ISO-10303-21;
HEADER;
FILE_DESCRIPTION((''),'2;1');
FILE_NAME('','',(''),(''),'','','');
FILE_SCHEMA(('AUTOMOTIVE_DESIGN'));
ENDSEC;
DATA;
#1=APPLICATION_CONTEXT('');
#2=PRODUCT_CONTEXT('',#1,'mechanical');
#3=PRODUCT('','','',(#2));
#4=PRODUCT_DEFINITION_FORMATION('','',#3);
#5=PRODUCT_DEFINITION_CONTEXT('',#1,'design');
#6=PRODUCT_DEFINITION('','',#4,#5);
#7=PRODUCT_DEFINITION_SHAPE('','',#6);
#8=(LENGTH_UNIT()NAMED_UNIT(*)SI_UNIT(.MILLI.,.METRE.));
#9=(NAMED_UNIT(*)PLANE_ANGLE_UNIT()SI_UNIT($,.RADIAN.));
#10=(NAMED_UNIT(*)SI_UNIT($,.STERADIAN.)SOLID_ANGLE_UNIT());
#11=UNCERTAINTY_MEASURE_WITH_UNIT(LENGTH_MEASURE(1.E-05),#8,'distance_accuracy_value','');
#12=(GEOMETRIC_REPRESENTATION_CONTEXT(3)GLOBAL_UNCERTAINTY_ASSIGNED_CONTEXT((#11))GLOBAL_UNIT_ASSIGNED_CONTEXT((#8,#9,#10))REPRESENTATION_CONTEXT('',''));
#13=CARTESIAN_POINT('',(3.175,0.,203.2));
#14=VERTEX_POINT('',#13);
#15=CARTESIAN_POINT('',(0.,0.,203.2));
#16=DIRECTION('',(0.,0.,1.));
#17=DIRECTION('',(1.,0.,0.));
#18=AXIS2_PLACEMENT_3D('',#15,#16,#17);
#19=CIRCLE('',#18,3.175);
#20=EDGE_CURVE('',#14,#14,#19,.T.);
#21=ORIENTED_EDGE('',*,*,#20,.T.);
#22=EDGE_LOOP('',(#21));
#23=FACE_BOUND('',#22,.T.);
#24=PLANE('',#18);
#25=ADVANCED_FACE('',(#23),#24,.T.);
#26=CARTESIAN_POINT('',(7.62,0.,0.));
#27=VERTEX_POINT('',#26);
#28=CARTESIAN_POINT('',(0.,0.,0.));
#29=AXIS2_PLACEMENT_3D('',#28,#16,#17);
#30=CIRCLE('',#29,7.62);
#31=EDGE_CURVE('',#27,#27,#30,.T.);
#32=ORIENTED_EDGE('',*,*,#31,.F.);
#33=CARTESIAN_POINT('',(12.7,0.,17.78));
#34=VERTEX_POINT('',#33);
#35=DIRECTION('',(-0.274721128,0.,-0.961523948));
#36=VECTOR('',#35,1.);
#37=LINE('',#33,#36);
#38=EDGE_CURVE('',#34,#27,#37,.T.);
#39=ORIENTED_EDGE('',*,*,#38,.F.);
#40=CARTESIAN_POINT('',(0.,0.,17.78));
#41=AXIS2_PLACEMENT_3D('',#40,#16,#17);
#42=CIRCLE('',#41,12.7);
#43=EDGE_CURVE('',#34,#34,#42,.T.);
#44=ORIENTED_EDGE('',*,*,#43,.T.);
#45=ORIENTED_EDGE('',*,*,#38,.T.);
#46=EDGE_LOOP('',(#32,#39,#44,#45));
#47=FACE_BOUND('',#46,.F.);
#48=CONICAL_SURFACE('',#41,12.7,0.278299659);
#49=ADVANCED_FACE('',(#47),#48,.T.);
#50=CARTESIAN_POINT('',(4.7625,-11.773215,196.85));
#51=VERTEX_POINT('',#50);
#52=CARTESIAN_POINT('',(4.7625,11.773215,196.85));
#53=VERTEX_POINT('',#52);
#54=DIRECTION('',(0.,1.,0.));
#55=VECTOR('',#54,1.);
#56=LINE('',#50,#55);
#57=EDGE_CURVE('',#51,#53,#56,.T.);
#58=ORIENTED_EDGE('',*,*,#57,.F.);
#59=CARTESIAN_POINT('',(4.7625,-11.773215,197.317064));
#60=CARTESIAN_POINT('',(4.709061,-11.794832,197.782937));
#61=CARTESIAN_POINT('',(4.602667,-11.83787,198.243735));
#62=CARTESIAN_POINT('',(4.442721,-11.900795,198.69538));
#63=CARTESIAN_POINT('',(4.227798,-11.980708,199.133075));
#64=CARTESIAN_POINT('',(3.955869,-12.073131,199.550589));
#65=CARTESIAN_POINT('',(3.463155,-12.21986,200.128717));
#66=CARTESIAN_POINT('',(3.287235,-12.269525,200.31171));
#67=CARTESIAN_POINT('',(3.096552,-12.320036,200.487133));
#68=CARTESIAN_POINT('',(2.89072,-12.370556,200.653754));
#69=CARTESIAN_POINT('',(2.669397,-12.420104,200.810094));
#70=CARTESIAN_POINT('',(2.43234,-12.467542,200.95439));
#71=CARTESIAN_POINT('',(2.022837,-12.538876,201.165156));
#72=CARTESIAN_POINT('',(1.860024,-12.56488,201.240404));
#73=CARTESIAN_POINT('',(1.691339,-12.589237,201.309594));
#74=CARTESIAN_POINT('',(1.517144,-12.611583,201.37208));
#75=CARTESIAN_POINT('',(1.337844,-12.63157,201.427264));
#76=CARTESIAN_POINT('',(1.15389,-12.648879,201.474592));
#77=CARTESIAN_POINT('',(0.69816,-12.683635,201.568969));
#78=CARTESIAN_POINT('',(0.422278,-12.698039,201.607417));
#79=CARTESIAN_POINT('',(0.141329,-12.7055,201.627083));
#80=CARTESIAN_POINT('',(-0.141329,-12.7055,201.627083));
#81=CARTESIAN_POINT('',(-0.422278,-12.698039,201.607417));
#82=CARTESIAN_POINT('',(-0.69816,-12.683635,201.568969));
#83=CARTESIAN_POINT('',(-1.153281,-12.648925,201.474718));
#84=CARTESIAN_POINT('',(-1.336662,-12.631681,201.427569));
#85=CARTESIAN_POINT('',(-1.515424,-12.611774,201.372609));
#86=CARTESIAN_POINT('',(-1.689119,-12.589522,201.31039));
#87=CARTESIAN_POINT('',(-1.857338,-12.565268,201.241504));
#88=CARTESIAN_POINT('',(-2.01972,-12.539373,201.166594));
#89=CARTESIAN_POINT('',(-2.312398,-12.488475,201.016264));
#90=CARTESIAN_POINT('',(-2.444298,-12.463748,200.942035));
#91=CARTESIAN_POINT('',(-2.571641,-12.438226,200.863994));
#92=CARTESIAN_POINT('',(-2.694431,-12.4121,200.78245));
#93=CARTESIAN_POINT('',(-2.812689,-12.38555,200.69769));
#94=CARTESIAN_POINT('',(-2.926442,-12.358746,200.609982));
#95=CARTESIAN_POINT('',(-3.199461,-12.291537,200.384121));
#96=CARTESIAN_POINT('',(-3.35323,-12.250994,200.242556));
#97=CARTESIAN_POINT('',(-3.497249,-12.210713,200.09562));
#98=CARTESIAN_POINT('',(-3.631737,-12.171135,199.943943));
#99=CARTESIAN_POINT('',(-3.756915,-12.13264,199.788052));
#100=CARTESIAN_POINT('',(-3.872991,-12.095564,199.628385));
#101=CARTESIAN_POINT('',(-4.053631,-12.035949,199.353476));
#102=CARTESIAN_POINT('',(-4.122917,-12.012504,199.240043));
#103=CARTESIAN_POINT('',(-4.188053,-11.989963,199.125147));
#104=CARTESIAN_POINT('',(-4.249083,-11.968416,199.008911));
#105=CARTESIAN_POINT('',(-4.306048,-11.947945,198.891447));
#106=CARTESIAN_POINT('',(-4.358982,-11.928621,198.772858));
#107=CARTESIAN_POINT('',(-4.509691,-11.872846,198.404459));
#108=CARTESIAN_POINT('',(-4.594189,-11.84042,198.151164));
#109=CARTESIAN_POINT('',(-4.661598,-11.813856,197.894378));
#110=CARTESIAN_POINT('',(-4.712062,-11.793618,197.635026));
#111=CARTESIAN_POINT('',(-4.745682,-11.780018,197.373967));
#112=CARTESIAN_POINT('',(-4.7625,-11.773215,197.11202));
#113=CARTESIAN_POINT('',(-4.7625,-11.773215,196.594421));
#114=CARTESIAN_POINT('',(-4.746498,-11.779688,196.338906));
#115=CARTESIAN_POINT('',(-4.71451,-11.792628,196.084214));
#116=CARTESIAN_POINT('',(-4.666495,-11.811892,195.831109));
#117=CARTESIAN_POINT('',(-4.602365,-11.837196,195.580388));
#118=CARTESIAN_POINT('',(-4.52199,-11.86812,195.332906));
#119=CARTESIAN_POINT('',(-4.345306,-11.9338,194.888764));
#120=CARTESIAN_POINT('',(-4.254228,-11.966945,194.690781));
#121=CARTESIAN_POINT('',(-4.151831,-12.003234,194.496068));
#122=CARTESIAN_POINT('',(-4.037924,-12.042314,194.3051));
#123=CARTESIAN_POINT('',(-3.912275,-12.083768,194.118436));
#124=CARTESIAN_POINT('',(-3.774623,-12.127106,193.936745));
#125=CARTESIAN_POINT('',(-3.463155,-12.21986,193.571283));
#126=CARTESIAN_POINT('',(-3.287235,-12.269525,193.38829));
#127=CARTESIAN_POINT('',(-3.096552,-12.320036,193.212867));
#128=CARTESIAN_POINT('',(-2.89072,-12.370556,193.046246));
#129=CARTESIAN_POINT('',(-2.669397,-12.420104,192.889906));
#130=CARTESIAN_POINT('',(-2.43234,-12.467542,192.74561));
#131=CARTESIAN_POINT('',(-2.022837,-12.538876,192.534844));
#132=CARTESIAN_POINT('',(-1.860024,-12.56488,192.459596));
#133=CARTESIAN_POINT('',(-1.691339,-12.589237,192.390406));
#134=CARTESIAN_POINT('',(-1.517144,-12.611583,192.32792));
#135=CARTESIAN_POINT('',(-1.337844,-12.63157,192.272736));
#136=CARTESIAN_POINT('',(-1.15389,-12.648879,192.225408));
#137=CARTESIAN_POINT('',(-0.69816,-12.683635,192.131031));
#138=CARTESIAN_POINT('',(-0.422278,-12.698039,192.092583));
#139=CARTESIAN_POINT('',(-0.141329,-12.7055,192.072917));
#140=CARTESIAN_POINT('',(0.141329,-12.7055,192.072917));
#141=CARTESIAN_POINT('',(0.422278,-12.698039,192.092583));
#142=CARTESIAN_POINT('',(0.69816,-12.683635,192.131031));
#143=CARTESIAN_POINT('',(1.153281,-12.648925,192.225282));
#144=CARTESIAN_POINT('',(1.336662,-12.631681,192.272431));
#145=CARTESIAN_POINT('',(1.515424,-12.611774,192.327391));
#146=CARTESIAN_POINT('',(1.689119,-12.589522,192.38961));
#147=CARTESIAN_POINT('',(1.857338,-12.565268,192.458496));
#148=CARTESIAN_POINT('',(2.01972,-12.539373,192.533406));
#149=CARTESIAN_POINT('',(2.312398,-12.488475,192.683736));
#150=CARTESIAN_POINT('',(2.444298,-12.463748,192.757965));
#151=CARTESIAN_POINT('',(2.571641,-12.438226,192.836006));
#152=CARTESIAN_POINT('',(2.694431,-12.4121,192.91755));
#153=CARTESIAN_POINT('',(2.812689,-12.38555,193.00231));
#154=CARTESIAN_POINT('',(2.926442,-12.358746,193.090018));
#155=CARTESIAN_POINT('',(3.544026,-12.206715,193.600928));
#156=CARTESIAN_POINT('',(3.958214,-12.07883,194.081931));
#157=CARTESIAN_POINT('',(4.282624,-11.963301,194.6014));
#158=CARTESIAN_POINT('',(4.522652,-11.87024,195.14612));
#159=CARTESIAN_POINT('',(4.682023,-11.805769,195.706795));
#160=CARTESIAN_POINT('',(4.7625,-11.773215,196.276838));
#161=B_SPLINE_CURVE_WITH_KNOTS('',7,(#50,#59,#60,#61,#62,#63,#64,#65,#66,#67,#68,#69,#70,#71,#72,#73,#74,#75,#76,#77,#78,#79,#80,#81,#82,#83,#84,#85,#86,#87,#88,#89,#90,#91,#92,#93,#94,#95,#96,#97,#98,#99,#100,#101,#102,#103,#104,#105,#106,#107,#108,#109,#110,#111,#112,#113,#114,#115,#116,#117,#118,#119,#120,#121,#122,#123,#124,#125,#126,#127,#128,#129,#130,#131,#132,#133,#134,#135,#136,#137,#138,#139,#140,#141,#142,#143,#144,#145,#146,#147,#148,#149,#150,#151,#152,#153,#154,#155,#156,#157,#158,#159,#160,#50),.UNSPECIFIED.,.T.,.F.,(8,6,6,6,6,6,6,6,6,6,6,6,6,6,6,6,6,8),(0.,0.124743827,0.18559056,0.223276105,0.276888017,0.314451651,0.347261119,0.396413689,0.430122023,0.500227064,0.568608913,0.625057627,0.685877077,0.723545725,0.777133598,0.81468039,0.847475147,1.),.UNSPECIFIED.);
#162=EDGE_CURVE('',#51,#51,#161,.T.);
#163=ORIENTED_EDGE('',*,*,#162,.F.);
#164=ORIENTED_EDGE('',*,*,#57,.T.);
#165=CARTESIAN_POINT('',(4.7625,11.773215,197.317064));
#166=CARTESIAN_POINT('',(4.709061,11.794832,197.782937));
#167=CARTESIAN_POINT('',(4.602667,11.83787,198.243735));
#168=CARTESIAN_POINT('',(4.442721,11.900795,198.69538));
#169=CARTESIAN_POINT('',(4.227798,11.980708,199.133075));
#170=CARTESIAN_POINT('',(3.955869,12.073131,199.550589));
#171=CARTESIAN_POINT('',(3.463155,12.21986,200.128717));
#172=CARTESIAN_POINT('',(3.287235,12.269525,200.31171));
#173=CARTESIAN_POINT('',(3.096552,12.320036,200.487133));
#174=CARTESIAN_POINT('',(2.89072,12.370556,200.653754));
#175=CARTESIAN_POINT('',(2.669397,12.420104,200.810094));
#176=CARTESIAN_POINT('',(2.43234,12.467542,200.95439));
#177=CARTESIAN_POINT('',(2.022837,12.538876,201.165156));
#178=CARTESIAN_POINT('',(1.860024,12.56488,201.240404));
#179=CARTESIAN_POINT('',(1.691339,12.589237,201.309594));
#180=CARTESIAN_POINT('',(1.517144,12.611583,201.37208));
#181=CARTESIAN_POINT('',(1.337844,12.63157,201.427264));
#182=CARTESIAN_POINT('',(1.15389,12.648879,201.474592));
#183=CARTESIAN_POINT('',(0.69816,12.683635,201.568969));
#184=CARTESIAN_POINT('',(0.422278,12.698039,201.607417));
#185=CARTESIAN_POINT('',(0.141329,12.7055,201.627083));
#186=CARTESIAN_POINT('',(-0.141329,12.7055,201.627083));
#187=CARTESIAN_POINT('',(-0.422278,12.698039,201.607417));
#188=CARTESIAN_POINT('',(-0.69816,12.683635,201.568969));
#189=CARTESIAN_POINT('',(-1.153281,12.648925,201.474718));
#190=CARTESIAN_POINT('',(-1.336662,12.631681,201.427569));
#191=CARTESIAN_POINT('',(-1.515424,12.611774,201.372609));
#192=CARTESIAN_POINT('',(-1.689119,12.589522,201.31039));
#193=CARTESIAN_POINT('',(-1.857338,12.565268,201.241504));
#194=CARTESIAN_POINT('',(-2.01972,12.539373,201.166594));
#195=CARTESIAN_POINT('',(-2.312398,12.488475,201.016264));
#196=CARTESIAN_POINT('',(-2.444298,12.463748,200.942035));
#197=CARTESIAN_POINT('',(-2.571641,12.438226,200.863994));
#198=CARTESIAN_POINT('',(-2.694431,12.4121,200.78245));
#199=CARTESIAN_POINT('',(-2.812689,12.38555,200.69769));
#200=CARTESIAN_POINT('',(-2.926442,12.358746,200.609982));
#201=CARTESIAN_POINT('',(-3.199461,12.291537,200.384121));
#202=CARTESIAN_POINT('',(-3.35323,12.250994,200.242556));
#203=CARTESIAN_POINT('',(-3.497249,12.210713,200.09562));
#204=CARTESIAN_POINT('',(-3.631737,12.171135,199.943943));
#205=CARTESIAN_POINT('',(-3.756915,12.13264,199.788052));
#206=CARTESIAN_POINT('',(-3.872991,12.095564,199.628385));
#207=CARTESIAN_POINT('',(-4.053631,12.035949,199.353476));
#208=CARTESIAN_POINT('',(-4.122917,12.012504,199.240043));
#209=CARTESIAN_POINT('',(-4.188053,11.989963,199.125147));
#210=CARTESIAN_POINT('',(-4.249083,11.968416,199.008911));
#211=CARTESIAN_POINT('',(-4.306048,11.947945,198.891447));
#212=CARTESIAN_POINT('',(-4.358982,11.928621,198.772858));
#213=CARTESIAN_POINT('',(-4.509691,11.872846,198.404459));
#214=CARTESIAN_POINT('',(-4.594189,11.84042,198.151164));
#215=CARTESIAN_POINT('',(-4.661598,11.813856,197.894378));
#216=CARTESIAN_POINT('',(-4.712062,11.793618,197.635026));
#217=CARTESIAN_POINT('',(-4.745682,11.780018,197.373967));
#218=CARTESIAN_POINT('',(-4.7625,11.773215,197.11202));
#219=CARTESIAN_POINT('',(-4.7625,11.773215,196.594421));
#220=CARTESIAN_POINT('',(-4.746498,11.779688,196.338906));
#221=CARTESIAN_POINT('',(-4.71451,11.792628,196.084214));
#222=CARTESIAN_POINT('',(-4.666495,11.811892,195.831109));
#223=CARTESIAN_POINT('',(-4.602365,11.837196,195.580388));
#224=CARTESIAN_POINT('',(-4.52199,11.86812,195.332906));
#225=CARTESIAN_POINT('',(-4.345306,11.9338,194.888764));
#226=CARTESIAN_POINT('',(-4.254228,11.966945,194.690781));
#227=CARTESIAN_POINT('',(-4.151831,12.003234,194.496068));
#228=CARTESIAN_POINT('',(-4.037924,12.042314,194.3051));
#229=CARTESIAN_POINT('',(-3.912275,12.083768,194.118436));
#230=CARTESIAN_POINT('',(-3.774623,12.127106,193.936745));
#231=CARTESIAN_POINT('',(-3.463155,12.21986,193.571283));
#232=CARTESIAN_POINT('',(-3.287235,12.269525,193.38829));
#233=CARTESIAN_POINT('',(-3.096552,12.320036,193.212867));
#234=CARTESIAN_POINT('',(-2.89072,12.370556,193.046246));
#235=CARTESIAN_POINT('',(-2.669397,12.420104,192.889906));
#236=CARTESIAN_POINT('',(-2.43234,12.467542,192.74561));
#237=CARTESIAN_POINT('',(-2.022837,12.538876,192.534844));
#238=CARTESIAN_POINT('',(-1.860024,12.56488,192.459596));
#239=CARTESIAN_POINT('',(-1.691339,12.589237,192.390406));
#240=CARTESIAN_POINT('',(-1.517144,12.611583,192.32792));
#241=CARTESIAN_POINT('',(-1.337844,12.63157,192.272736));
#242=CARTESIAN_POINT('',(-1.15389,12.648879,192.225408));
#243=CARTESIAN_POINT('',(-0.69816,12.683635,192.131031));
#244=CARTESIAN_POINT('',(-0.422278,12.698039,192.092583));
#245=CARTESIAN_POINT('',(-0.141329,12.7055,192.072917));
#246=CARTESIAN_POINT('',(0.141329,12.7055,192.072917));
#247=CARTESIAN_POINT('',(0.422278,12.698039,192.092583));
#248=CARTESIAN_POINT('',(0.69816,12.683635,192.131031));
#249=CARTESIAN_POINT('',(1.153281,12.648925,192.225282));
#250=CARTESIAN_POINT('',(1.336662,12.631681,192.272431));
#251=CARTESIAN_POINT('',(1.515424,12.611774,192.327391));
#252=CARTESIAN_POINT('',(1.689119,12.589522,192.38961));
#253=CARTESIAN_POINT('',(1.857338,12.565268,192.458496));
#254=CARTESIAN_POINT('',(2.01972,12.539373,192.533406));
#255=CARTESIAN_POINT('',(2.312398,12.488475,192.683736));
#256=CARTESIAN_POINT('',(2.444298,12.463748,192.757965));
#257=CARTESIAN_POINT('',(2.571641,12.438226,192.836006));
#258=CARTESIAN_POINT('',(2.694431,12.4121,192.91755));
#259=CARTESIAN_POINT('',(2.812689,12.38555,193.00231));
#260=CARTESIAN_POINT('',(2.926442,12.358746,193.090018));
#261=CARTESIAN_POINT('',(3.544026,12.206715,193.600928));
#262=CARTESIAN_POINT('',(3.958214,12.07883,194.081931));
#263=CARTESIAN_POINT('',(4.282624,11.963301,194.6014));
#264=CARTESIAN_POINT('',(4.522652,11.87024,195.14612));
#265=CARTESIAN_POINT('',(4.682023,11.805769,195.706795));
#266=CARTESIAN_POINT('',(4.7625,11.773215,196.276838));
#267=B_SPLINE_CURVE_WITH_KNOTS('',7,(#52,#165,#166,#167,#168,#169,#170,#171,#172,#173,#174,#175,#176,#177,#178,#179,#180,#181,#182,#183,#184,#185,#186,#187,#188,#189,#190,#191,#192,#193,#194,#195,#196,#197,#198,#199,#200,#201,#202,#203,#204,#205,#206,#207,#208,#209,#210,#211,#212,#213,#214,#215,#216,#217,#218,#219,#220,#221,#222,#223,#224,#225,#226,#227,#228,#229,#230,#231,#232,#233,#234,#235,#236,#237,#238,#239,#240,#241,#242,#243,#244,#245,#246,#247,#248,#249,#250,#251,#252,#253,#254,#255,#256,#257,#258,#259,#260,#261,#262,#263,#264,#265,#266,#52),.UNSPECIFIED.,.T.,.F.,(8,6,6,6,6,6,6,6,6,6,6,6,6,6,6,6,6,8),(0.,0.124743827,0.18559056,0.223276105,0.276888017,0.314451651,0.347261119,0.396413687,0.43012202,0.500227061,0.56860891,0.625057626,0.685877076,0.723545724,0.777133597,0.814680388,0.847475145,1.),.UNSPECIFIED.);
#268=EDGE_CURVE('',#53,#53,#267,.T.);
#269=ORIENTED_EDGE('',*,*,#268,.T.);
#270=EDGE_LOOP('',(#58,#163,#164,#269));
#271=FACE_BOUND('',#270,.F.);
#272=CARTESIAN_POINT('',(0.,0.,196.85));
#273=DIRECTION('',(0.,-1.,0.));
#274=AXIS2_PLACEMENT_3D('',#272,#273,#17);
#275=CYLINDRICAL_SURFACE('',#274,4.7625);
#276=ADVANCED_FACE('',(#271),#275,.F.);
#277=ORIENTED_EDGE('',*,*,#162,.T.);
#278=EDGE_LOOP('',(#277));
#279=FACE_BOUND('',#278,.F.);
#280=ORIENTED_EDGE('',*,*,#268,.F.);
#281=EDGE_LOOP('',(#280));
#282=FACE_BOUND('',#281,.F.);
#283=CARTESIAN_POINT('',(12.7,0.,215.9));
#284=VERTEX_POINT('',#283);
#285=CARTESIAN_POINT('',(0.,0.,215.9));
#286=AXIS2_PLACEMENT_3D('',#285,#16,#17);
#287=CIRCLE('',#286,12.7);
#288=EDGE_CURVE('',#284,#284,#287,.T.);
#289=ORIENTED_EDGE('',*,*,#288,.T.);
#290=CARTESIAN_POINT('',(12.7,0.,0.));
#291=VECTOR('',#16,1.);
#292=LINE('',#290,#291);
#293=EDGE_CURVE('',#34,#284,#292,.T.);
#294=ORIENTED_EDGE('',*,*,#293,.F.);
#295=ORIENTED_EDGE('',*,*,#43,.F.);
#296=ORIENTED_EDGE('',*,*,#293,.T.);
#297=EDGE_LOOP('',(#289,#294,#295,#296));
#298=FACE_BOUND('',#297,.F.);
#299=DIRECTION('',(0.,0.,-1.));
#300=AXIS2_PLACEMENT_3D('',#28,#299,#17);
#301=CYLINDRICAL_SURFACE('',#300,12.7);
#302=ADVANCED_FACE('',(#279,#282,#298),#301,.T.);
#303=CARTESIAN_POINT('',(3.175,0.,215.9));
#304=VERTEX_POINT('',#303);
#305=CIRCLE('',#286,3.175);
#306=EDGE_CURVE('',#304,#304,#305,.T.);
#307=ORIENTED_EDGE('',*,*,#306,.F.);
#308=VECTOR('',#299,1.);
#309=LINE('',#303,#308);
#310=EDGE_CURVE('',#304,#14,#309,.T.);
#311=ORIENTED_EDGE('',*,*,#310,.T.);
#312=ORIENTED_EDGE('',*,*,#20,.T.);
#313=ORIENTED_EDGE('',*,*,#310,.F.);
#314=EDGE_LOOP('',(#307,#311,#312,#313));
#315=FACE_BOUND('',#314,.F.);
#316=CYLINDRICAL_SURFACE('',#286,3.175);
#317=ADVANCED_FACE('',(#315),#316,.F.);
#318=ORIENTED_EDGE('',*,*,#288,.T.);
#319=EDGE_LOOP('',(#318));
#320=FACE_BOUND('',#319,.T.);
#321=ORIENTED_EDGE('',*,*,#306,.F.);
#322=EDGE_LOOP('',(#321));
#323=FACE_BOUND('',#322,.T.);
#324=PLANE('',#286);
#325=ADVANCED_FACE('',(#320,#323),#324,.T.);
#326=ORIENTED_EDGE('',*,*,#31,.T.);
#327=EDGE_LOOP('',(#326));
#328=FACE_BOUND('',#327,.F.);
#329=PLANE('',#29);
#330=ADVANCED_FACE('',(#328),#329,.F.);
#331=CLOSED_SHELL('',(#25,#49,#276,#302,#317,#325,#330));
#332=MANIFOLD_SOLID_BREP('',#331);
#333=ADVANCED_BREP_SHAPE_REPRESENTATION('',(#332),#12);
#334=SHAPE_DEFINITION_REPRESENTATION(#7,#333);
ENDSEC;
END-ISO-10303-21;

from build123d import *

# Parameters (mm, degrees)
F0_R          = 12.7
F1_DEPTH      = 215.9
F2_SIZE2      = 5.08
F2_SIZE       = 17.78
F3_R          = 4.7625
F4_DEPTH      = 25.4
F4_DEPTH_BACK = 25.4
F5_R          = 3.175
F6_DEPTH      = 12.7


with BuildPart() as f1:
    # F0 (on Top) → F1 (new body)
    with BuildSketch(Plane.XY):
        Circle(F0_R)
    extrude(amount=F1_DEPTH)

    # F2
    f2_edges = [f1.edges().sort_by_distance(p)[0] for p in [
        (-12.7, 0, 0),
    ]]
    chamfer(f2_edges, length=F2_SIZE, length2=F2_SIZE2)

    # F3 (on Front) → F4 (cut, two sides)
    with BuildSketch(Plane.XZ) as f4_sk:
        with Locations((0, 196.85)):
            Circle(F3_R)
    extrude(amount=F4_DEPTH, mode=Mode.SUBTRACT)
    extrude(f4_sk.sketch, amount=-F4_DEPTH_BACK, mode=Mode.SUBTRACT)

    # F5 (on face) → F6 (cut)
    with BuildSketch(Plane.XY.offset(215.9)):
        Circle(F5_R)
    extrude(amount=-F6_DEPTH, mode=Mode.SUBTRACT)


solid = f1.part
